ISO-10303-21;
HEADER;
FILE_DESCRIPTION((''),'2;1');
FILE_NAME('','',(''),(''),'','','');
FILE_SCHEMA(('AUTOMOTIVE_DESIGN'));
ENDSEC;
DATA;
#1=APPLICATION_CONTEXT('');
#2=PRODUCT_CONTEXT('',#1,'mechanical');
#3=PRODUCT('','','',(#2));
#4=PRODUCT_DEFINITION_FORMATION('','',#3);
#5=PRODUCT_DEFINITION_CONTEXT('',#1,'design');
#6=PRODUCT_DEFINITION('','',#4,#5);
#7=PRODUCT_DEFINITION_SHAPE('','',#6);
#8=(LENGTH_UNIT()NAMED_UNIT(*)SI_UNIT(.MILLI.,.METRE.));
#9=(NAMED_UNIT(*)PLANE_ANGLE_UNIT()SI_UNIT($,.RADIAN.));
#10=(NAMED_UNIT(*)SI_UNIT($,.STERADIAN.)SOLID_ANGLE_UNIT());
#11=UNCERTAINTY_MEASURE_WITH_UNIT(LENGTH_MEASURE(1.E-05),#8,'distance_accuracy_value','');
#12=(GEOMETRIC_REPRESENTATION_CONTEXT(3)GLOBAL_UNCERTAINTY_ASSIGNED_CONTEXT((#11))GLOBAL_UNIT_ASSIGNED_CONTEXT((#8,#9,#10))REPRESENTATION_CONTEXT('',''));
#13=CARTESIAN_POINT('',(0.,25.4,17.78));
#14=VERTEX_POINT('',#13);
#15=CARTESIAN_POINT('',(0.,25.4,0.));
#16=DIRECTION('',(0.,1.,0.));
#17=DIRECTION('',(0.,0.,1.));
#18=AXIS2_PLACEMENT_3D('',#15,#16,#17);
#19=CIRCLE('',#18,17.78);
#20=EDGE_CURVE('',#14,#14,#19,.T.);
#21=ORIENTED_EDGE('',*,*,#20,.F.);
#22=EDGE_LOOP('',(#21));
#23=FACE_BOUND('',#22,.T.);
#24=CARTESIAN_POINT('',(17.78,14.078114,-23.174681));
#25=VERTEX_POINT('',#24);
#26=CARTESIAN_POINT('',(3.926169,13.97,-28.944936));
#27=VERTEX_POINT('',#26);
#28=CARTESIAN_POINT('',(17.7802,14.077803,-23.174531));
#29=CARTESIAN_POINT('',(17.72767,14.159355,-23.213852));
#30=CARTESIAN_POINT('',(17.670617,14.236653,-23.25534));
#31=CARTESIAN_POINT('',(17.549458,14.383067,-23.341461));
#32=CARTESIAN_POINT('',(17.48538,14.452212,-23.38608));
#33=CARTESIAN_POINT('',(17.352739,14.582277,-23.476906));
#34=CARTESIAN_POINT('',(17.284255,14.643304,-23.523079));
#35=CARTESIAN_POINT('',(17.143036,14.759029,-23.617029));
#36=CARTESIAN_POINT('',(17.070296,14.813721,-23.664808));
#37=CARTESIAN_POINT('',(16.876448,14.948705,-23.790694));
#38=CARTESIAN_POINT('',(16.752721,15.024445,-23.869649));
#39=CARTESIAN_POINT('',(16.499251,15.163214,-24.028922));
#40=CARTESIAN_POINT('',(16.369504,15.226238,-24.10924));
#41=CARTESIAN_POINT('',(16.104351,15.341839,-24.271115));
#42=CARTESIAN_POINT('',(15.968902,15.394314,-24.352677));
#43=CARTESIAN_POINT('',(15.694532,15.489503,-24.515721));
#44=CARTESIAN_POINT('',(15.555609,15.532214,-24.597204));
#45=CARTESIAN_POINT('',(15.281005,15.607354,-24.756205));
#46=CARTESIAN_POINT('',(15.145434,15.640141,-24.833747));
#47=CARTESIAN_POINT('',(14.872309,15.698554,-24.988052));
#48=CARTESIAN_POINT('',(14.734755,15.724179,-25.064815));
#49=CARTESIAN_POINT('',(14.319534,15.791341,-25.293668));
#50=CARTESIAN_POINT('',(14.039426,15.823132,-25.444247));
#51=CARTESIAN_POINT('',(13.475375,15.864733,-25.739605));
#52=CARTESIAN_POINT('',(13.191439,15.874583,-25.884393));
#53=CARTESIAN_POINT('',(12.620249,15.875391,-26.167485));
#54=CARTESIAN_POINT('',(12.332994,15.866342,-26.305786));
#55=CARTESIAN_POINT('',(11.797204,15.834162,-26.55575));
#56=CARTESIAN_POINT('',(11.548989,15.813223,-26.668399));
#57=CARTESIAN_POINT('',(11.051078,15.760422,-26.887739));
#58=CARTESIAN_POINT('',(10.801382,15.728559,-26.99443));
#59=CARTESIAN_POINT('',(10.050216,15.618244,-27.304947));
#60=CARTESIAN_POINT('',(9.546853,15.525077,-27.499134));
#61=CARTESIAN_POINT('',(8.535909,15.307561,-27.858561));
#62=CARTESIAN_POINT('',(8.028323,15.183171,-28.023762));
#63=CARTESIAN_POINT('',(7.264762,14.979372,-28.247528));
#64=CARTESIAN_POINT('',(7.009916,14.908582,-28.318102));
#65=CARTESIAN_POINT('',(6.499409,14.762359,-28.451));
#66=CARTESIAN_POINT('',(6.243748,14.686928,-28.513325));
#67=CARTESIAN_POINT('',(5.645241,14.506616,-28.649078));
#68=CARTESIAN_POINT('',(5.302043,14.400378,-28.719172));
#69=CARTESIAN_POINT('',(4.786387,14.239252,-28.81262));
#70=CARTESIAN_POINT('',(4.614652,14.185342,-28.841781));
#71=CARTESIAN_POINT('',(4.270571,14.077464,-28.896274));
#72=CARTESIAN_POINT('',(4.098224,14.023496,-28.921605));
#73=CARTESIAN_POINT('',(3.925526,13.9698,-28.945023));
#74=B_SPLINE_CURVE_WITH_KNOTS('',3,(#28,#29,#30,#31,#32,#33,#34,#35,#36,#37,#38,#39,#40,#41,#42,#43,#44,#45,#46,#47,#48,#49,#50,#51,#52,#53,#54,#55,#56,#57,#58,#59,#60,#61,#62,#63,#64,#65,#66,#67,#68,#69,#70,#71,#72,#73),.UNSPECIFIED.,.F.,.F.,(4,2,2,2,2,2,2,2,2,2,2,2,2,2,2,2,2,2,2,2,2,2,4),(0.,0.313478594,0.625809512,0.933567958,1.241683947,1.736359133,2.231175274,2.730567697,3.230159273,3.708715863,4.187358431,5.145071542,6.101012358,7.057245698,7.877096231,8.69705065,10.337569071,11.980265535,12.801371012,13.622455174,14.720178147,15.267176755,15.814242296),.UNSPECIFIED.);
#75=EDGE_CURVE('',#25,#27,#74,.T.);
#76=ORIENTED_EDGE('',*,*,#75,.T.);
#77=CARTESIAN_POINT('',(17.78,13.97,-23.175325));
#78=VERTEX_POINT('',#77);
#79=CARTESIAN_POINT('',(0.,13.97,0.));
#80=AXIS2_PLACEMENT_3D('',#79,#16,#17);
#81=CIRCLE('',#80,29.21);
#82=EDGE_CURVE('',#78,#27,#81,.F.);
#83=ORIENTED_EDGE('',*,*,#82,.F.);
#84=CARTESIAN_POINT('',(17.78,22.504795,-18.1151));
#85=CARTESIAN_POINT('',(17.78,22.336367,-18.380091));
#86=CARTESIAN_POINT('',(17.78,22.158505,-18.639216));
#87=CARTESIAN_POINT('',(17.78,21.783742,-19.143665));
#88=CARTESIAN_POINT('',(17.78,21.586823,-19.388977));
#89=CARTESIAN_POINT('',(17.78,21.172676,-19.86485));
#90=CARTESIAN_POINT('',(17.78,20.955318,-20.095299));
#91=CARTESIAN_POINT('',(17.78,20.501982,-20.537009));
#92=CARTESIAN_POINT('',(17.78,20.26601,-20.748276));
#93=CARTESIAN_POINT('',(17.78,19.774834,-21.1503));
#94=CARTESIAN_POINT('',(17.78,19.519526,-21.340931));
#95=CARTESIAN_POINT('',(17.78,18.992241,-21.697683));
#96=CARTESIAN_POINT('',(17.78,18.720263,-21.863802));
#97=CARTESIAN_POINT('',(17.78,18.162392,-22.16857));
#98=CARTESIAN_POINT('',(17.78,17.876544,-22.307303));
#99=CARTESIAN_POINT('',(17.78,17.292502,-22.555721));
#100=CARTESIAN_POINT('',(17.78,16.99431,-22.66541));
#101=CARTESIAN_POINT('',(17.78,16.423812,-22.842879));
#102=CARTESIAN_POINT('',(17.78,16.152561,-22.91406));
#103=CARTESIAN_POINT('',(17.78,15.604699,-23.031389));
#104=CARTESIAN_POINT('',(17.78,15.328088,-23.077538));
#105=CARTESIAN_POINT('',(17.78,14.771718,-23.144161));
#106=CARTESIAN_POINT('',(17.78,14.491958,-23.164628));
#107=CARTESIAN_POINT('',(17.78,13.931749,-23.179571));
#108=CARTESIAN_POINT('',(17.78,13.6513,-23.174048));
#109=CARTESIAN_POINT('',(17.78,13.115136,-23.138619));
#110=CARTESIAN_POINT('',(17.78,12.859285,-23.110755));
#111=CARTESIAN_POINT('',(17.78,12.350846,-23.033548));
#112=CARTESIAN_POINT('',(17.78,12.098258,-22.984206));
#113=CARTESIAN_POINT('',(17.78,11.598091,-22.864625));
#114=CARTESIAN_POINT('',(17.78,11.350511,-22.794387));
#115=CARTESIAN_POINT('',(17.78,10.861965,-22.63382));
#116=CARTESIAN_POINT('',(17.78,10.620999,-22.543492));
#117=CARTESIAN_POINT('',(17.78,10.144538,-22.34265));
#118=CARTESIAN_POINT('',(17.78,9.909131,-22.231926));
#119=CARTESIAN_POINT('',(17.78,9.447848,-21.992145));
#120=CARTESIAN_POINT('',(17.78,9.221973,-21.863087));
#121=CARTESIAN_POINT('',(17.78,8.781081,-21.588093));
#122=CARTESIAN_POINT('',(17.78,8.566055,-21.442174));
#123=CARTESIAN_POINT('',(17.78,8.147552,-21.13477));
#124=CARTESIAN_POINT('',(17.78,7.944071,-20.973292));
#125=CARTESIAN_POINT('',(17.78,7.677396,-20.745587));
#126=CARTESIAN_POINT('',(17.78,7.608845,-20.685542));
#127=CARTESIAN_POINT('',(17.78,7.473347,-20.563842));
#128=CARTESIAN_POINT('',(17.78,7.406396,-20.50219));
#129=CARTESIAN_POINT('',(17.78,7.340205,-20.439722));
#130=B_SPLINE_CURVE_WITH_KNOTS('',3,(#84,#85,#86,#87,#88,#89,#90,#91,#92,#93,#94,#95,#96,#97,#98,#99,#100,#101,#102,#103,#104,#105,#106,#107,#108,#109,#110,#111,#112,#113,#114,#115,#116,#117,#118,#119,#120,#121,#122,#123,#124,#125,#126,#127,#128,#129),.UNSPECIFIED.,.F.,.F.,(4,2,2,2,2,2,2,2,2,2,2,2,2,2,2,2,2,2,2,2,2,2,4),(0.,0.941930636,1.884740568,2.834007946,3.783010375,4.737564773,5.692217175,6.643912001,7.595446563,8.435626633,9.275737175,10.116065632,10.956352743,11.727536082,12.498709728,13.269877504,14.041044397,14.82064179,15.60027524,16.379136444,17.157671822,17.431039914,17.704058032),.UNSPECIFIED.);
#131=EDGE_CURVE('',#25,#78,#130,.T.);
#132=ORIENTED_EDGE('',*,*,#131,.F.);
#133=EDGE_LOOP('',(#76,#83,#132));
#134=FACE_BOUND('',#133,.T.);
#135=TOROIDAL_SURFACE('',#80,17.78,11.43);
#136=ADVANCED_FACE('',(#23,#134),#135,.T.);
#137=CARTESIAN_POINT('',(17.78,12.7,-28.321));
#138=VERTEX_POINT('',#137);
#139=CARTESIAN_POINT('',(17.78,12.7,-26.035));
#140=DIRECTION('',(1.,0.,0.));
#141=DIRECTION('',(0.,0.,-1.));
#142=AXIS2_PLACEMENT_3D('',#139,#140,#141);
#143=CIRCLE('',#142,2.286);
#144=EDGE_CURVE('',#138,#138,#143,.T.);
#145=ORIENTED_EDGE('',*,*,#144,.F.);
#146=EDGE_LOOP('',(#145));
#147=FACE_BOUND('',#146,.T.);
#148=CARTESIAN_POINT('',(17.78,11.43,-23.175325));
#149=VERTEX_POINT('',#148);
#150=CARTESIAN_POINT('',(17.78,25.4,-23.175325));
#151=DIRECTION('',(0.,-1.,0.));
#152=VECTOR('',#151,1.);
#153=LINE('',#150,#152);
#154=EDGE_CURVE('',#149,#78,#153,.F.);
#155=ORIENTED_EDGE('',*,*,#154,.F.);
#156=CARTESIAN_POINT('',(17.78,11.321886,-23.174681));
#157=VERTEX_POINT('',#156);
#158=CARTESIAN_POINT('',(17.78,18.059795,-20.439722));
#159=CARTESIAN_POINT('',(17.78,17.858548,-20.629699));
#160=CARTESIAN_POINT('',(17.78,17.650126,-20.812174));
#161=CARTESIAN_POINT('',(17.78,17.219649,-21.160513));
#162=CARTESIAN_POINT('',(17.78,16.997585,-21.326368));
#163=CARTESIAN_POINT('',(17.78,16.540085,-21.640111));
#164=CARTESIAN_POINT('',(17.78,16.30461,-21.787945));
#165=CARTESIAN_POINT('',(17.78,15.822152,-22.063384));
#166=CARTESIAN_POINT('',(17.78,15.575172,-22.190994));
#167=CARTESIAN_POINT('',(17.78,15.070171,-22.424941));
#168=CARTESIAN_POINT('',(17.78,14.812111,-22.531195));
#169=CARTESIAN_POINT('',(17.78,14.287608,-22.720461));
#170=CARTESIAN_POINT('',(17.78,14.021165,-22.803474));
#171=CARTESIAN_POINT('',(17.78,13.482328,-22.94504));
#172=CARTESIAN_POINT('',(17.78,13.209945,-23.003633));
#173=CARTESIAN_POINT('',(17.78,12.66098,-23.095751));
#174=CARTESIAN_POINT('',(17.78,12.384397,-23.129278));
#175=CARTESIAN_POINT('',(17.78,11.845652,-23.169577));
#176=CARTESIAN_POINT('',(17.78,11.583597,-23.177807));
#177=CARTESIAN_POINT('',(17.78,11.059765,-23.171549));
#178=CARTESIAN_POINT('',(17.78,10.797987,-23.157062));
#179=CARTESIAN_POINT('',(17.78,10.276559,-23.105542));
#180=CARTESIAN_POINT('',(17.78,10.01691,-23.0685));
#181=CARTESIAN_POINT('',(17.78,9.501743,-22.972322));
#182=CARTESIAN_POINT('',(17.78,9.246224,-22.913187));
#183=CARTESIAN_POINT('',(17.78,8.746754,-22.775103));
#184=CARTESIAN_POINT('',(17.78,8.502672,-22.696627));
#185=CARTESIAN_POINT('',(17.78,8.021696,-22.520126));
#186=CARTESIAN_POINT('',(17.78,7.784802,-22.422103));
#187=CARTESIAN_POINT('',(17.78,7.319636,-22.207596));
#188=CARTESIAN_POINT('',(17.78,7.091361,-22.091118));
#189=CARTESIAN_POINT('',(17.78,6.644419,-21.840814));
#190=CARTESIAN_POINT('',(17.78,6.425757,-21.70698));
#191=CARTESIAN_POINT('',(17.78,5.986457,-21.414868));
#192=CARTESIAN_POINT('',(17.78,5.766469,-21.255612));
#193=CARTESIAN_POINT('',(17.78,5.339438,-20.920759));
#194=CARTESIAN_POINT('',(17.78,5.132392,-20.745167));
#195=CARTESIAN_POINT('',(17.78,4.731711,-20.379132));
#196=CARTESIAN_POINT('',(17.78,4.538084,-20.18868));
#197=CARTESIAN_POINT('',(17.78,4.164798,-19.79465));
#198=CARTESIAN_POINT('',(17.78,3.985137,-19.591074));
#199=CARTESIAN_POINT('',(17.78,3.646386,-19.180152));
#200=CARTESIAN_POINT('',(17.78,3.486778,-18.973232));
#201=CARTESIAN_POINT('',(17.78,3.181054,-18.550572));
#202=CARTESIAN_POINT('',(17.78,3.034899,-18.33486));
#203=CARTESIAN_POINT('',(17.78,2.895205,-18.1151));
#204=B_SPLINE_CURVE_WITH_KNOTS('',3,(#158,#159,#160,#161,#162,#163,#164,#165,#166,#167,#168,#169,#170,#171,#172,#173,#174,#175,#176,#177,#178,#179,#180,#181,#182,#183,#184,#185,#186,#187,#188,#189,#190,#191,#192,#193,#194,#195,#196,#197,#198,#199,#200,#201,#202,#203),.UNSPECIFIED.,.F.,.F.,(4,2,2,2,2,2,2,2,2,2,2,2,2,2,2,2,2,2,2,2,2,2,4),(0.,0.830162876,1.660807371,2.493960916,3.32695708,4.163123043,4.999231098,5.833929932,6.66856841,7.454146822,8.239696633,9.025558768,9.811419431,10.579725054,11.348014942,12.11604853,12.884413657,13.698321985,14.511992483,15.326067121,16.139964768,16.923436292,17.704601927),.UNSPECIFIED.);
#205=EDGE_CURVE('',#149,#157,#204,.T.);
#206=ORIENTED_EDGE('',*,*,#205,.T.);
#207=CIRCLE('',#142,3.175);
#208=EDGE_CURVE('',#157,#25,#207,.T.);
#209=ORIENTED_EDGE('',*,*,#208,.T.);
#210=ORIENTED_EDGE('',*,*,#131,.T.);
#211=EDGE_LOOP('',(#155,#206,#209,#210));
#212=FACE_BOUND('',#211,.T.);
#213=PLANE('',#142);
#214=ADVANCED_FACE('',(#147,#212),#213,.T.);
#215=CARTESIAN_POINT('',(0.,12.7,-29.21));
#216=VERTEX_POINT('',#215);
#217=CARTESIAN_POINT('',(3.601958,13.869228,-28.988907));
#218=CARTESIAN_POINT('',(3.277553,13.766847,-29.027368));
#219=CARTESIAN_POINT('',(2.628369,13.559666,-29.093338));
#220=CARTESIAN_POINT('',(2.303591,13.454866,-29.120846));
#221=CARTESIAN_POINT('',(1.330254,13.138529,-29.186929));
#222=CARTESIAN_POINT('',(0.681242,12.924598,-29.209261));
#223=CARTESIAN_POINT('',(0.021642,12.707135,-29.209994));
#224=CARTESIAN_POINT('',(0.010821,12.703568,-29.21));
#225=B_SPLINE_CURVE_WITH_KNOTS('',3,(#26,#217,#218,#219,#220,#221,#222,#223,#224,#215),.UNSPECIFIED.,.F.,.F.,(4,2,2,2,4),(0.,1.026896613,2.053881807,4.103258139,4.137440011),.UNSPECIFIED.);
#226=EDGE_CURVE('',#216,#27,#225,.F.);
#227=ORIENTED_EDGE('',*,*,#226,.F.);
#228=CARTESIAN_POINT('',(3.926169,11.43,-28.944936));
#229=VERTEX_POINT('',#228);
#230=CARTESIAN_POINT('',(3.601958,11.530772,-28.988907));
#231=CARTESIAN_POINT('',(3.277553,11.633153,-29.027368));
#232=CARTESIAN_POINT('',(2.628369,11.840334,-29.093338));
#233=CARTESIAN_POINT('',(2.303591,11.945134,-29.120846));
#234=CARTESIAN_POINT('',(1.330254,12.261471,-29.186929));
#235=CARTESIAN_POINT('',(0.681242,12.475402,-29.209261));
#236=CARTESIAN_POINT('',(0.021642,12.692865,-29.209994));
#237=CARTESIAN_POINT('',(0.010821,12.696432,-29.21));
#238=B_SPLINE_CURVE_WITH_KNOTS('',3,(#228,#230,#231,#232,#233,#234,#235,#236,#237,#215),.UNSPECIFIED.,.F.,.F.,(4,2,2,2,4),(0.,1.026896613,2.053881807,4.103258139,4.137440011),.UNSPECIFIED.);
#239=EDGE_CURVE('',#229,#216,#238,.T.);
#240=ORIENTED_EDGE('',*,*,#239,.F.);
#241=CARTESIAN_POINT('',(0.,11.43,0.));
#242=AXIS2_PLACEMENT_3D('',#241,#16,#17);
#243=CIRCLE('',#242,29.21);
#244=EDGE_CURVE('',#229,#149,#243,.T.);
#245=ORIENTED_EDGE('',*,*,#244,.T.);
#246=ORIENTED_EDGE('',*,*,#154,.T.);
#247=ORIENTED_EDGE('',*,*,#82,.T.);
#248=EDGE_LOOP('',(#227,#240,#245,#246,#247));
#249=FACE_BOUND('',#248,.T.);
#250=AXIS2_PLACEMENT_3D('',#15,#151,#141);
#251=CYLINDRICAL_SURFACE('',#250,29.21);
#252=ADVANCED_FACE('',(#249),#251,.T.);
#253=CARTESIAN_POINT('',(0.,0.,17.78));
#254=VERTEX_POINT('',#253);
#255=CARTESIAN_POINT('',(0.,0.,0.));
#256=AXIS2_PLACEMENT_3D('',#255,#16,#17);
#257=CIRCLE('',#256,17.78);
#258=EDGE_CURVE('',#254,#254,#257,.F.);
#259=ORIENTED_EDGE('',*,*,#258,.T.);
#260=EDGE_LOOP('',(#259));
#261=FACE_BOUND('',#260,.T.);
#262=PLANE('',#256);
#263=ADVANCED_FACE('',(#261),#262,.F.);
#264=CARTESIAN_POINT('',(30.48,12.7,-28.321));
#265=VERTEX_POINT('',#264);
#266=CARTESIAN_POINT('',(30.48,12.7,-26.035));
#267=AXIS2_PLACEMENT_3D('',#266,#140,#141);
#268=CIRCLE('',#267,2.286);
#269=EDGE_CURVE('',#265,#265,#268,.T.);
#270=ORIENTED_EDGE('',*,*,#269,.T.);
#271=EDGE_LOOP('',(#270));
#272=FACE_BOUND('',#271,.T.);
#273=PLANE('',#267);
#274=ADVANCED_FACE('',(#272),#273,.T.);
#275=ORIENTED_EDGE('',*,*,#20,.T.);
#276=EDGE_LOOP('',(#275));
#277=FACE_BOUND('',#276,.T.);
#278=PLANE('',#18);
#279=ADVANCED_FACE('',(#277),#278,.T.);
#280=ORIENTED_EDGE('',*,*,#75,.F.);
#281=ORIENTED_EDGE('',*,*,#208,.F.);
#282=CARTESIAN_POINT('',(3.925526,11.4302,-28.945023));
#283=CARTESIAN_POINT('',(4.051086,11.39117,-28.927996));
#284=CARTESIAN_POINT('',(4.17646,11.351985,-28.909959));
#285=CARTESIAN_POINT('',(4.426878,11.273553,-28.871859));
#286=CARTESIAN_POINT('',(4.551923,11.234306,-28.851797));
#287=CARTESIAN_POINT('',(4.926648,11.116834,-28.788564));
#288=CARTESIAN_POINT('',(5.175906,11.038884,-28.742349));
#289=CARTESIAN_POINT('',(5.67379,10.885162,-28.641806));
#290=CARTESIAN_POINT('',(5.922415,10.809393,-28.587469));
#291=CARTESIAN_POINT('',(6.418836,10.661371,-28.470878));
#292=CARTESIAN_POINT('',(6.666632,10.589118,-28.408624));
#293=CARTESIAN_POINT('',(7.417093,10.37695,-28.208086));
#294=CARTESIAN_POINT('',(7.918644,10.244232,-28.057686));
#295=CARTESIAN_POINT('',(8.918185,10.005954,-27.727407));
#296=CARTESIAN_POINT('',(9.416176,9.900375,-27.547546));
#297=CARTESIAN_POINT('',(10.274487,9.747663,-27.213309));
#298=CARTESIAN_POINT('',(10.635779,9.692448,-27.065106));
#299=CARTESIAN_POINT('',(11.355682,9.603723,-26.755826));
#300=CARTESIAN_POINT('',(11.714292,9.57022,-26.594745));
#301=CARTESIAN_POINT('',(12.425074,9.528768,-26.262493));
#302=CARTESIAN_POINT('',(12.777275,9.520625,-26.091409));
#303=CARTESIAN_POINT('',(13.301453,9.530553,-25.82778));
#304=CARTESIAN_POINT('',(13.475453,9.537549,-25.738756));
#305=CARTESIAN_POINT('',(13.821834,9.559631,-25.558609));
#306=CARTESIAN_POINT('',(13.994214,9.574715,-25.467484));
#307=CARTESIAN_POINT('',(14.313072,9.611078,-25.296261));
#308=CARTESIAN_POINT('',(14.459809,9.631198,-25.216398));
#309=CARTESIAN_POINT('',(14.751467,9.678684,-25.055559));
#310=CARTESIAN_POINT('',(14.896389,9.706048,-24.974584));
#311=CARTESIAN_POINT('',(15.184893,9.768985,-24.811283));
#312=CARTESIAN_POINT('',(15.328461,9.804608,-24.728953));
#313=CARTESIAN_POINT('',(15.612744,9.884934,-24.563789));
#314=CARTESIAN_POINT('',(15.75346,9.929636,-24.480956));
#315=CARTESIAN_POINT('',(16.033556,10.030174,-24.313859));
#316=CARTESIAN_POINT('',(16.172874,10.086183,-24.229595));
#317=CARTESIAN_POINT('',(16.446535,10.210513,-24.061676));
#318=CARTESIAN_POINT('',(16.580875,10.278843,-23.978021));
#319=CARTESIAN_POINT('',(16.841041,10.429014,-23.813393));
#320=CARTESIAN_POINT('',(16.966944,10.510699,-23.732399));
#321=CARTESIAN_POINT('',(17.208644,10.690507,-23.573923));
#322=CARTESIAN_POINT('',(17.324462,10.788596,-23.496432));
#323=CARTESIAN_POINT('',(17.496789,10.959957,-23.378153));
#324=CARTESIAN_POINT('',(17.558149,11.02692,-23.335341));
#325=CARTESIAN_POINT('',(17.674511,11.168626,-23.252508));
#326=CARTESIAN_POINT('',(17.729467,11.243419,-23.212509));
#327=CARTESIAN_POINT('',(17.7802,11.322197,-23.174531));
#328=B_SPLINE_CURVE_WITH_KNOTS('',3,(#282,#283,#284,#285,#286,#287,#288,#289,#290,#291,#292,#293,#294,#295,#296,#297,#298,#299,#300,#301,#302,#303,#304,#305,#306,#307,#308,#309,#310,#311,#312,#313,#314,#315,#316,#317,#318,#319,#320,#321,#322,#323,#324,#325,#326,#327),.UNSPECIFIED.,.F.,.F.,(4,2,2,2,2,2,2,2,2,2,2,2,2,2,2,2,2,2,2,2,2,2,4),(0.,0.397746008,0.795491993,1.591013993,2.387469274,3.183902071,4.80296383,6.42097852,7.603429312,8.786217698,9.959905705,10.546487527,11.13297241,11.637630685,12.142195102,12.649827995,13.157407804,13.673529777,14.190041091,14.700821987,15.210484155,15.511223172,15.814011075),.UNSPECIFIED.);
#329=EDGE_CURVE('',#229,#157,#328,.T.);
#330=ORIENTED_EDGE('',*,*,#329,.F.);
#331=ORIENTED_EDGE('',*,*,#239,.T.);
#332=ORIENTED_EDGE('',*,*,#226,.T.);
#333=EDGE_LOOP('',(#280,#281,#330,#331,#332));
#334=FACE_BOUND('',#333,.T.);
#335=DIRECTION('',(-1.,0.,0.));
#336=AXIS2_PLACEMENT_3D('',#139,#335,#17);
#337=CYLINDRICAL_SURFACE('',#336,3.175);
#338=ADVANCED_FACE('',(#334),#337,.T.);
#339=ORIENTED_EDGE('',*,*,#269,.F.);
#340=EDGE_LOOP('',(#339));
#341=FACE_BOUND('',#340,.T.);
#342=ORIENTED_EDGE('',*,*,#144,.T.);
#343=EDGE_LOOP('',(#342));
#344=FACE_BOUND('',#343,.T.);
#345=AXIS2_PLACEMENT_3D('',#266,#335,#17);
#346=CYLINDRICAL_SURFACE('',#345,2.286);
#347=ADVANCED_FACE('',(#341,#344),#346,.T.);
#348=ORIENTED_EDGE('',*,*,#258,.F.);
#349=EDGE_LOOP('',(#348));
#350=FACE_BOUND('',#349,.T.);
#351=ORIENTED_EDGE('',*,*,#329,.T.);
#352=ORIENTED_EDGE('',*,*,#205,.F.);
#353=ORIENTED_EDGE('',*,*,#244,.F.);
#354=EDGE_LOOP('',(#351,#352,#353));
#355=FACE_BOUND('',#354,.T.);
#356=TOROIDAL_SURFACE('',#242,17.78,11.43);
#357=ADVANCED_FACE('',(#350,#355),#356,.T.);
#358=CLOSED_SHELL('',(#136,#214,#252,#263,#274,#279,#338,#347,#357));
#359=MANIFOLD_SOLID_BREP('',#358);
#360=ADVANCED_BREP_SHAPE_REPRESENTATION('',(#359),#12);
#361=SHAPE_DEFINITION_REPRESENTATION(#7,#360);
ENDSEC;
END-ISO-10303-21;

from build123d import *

# Parameters (mm, degrees)
SKETCH1_R           = 29.21
BOSS_EXTRUDE1_DEPTH = 25.4
FILLET1_R           = 11.43
SKETCH2_R           = 3.175
BOSS_EXTRUDE2_DEPTH = 17.78
SKETCH3_R           = 2.286
BOSS_EXTRUDE3_DEPTH = 12.7


with BuildPart() as part:
    # Sketch1 → Boss-Extrude1 (new body)
    with BuildSketch(Plane(origin=(0, 0, 0), x_dir=(1, 0, 0), z_dir=(0, 1, 0))):
        with Locations(Location((0, 0, 0), (0, 0, 270))):
            Circle(SKETCH1_R)
    extrude(amount=BOSS_EXTRUDE1_DEPTH)

    # Fillet1
    fillet1_edges = [part.edges().sort_by_distance(p)[0] for p in [
        (0, 0, -29.21),
        (0, 25.4, -29.21),
    ]]
    fillet(fillet1_edges, radius=FILLET1_R)

    # Sketch2 → Boss-Extrude2 (add)
    with BuildSketch(Plane(origin=(0, 0, 0), x_dir=(0, 0, -1), z_dir=(1, 0, 0))):
        with Locations((26.035, 12.7)):
            Circle(SKETCH2_R)
    extrude(amount=BOSS_EXTRUDE2_DEPTH)

    # Sketch3 → Boss-Extrude3 (add)
    with BuildSketch(Plane(origin=(17.78, 0, 0), x_dir=(0, 0, -1), z_dir=(1, 0, 0))):
        with Locations((26.035, 12.7)):
            Circle(SKETCH3_R)
    extrude(amount=BOSS_EXTRUDE3_DEPTH)


solid = part.part
